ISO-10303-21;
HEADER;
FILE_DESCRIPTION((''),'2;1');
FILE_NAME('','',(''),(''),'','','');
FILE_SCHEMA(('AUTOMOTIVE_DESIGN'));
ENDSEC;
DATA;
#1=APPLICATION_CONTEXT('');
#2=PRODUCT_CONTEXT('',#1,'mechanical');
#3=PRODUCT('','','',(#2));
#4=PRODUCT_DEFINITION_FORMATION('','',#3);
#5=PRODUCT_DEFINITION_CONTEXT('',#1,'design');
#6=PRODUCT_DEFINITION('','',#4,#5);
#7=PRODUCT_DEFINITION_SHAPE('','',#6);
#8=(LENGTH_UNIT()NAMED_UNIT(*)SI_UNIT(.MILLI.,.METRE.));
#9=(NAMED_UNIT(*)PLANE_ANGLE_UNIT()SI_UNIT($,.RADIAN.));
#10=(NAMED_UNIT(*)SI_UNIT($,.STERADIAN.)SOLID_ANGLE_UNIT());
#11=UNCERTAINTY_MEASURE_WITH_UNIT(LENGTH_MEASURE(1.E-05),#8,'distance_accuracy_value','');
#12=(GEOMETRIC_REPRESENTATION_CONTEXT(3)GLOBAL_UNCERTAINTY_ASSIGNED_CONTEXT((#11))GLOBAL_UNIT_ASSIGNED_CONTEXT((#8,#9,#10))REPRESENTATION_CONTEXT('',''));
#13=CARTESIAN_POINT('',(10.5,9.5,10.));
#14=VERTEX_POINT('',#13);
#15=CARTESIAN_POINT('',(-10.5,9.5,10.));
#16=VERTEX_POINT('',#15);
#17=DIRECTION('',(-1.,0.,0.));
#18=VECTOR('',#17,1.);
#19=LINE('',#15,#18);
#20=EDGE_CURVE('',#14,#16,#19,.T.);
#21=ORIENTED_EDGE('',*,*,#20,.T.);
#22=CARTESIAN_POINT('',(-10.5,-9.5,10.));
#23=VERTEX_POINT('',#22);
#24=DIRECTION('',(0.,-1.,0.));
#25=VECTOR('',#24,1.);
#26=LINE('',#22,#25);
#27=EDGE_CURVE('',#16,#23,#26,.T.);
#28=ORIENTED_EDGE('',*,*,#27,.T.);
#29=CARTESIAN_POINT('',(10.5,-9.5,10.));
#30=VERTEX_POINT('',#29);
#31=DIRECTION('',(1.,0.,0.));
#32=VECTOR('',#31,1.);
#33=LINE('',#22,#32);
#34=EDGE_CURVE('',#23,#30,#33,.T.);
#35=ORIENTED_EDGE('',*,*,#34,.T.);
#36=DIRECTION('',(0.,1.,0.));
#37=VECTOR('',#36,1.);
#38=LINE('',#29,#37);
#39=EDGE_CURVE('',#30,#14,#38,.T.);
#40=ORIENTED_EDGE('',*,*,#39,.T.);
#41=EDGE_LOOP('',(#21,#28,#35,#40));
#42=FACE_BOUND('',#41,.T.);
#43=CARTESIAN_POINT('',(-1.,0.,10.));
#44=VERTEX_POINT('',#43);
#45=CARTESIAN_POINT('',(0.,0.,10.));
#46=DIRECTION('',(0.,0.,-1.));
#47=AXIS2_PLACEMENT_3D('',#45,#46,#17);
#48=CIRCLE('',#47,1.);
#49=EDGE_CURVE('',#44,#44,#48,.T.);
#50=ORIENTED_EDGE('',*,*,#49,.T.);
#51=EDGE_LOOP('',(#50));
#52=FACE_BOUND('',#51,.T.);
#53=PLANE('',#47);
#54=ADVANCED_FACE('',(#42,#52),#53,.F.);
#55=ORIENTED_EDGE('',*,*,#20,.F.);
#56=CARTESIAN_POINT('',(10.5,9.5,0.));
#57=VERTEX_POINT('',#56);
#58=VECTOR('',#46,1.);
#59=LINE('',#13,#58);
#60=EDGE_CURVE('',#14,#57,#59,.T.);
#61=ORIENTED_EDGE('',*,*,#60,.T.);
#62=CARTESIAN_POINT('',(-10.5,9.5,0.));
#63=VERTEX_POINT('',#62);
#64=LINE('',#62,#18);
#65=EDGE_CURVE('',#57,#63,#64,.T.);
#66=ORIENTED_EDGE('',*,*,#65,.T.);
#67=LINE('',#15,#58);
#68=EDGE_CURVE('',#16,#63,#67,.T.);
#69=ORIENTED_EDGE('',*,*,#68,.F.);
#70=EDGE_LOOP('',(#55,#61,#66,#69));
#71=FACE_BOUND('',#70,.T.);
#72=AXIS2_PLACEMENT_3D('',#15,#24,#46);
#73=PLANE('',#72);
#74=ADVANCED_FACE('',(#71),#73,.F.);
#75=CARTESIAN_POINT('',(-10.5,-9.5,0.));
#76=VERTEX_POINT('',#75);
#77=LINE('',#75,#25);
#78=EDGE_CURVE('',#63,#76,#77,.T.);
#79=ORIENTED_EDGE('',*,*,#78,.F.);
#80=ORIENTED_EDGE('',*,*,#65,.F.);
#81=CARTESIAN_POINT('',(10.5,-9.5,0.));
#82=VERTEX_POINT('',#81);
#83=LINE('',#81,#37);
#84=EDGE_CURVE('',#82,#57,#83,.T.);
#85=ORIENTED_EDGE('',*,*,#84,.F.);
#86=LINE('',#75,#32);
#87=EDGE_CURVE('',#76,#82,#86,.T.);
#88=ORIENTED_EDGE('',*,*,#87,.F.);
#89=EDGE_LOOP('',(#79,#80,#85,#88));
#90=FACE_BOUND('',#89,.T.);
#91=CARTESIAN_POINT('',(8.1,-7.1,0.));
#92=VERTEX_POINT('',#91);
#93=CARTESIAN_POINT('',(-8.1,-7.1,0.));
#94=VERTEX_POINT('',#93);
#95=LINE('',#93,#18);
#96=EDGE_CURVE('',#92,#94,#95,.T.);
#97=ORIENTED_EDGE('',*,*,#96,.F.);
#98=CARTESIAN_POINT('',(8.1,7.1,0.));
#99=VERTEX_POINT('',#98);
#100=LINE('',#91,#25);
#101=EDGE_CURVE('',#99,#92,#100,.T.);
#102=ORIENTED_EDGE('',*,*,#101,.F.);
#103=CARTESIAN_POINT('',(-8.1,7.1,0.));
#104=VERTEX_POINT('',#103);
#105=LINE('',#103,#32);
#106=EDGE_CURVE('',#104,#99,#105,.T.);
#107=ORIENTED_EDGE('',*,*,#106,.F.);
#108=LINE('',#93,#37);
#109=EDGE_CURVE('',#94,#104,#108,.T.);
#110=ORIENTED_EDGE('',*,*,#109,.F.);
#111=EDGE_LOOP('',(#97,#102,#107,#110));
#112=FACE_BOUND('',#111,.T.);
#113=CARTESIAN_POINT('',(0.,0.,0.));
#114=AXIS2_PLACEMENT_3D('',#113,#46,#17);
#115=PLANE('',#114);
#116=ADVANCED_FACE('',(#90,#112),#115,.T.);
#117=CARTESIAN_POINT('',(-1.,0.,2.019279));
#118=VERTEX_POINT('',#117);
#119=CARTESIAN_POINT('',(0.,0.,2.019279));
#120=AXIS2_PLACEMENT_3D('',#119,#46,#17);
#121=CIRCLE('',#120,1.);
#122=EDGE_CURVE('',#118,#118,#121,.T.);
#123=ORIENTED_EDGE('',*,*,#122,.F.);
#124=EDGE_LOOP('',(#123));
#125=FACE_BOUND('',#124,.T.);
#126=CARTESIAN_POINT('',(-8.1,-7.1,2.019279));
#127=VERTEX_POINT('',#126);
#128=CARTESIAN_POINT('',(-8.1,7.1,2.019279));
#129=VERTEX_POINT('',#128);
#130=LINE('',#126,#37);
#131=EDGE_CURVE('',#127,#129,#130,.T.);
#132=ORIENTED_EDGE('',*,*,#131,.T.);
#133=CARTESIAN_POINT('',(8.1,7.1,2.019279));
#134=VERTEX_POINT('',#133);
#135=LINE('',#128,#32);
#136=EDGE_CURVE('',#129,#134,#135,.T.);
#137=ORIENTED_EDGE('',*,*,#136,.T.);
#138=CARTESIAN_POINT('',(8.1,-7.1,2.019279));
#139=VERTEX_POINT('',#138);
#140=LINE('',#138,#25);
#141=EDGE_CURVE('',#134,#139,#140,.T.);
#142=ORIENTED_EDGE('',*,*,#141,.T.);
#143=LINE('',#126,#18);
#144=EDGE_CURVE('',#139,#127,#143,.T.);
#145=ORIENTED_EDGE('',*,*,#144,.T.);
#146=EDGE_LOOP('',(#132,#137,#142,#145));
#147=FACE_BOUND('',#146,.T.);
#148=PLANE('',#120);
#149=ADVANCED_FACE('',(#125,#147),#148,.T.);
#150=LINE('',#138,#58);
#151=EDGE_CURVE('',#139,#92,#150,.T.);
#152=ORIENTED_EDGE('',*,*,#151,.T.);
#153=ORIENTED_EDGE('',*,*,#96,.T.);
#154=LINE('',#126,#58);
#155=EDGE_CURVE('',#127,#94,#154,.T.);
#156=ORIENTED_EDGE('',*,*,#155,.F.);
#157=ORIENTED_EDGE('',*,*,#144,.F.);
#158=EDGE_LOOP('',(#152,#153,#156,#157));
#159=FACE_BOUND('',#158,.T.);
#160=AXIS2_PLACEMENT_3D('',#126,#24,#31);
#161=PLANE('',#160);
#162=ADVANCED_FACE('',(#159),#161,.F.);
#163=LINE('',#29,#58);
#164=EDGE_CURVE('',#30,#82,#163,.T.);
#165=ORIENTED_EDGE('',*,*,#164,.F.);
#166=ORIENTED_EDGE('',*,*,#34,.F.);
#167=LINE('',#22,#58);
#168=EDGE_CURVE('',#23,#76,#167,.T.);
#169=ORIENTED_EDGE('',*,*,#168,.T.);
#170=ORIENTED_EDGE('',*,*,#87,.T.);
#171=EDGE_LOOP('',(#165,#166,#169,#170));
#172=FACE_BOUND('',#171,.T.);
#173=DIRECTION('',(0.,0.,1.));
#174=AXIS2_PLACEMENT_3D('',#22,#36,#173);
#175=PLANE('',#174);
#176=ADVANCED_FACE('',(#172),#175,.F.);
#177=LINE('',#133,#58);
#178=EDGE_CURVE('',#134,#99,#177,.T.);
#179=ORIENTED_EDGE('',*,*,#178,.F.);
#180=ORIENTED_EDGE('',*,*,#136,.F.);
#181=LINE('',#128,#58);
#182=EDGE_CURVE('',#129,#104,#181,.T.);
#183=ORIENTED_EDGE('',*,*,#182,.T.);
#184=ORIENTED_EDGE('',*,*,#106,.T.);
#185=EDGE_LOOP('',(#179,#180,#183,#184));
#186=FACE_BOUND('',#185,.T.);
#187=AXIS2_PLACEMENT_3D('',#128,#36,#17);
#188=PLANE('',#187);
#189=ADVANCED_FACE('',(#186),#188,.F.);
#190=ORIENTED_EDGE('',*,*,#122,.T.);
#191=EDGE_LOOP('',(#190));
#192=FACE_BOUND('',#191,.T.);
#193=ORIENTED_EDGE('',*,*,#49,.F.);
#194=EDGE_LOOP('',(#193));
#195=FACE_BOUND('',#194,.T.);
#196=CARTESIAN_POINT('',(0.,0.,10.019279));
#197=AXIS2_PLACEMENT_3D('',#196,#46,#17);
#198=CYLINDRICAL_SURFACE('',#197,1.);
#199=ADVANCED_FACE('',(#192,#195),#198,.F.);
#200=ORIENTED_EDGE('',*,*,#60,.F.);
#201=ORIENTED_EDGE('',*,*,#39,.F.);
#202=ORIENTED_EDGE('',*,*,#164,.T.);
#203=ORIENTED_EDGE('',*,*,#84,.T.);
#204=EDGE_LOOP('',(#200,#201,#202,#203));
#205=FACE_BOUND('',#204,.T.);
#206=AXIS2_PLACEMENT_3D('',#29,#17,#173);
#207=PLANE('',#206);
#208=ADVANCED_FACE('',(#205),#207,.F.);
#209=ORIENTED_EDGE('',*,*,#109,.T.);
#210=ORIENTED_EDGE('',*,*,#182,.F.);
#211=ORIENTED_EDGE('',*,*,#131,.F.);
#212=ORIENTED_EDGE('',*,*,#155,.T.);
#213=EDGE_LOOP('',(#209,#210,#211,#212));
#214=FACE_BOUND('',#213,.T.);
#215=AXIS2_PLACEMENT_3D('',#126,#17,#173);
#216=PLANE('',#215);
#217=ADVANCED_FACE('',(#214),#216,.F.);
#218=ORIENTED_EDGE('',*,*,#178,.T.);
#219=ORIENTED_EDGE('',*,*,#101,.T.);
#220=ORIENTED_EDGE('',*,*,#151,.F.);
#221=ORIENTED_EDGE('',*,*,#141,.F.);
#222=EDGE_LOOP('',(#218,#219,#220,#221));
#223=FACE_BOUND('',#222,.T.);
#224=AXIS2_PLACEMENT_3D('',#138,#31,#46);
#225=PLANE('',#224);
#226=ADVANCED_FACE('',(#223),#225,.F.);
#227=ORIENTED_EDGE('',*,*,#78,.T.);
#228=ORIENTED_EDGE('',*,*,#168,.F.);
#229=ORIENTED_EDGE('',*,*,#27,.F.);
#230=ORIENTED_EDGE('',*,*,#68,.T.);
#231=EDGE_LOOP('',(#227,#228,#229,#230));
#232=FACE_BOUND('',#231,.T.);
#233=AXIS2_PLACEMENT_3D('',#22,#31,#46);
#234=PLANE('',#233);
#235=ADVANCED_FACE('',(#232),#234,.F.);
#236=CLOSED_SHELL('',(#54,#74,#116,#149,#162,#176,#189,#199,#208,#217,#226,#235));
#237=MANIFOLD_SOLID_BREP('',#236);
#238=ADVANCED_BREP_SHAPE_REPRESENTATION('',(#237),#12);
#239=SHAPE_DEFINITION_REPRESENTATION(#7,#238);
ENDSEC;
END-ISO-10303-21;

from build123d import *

# Parameters (mm, degrees)
SKETCH1_W           = 21
SKETCH1_H           = 19
BOSS_EXTRUDE2_DEPTH = 10
SKETCH3_W           = 16.2
SKETCH3_H           = 14.2
CUT_EXTRUDE1_DEPTH  = 2.019279387
SKETCH4_R           = 1
CUT_EXTRUDE2_DEPTH  = 8


with BuildPart() as part:
    # Sketch1 → Boss-Extrude2 (new body)
    with BuildSketch(Plane.XY):
        Rectangle(SKETCH1_W, SKETCH1_H)
    extrude(amount=BOSS_EXTRUDE2_DEPTH)

    # Sketch3 → Cut-Extrude1 (cut)
    with BuildSketch(Plane(origin=(0, 0, 0), x_dir=(-1, 0, 0), z_dir=(0, 0, -1))):
        Rectangle(SKETCH3_W, SKETCH3_H)
    extrude(amount=-CUT_EXTRUDE1_DEPTH, mode=Mode.SUBTRACT)

    # Sketch4 → Cut-Extrude2 (cut)
    with BuildSketch(Plane(origin=(0, 0, 2.019279387), x_dir=(-1, 0, 0), z_dir=(0, 0, -1))):
        Circle(SKETCH4_R)
    extrude(amount=-CUT_EXTRUDE2_DEPTH, mode=Mode.SUBTRACT)


solid = part.part
